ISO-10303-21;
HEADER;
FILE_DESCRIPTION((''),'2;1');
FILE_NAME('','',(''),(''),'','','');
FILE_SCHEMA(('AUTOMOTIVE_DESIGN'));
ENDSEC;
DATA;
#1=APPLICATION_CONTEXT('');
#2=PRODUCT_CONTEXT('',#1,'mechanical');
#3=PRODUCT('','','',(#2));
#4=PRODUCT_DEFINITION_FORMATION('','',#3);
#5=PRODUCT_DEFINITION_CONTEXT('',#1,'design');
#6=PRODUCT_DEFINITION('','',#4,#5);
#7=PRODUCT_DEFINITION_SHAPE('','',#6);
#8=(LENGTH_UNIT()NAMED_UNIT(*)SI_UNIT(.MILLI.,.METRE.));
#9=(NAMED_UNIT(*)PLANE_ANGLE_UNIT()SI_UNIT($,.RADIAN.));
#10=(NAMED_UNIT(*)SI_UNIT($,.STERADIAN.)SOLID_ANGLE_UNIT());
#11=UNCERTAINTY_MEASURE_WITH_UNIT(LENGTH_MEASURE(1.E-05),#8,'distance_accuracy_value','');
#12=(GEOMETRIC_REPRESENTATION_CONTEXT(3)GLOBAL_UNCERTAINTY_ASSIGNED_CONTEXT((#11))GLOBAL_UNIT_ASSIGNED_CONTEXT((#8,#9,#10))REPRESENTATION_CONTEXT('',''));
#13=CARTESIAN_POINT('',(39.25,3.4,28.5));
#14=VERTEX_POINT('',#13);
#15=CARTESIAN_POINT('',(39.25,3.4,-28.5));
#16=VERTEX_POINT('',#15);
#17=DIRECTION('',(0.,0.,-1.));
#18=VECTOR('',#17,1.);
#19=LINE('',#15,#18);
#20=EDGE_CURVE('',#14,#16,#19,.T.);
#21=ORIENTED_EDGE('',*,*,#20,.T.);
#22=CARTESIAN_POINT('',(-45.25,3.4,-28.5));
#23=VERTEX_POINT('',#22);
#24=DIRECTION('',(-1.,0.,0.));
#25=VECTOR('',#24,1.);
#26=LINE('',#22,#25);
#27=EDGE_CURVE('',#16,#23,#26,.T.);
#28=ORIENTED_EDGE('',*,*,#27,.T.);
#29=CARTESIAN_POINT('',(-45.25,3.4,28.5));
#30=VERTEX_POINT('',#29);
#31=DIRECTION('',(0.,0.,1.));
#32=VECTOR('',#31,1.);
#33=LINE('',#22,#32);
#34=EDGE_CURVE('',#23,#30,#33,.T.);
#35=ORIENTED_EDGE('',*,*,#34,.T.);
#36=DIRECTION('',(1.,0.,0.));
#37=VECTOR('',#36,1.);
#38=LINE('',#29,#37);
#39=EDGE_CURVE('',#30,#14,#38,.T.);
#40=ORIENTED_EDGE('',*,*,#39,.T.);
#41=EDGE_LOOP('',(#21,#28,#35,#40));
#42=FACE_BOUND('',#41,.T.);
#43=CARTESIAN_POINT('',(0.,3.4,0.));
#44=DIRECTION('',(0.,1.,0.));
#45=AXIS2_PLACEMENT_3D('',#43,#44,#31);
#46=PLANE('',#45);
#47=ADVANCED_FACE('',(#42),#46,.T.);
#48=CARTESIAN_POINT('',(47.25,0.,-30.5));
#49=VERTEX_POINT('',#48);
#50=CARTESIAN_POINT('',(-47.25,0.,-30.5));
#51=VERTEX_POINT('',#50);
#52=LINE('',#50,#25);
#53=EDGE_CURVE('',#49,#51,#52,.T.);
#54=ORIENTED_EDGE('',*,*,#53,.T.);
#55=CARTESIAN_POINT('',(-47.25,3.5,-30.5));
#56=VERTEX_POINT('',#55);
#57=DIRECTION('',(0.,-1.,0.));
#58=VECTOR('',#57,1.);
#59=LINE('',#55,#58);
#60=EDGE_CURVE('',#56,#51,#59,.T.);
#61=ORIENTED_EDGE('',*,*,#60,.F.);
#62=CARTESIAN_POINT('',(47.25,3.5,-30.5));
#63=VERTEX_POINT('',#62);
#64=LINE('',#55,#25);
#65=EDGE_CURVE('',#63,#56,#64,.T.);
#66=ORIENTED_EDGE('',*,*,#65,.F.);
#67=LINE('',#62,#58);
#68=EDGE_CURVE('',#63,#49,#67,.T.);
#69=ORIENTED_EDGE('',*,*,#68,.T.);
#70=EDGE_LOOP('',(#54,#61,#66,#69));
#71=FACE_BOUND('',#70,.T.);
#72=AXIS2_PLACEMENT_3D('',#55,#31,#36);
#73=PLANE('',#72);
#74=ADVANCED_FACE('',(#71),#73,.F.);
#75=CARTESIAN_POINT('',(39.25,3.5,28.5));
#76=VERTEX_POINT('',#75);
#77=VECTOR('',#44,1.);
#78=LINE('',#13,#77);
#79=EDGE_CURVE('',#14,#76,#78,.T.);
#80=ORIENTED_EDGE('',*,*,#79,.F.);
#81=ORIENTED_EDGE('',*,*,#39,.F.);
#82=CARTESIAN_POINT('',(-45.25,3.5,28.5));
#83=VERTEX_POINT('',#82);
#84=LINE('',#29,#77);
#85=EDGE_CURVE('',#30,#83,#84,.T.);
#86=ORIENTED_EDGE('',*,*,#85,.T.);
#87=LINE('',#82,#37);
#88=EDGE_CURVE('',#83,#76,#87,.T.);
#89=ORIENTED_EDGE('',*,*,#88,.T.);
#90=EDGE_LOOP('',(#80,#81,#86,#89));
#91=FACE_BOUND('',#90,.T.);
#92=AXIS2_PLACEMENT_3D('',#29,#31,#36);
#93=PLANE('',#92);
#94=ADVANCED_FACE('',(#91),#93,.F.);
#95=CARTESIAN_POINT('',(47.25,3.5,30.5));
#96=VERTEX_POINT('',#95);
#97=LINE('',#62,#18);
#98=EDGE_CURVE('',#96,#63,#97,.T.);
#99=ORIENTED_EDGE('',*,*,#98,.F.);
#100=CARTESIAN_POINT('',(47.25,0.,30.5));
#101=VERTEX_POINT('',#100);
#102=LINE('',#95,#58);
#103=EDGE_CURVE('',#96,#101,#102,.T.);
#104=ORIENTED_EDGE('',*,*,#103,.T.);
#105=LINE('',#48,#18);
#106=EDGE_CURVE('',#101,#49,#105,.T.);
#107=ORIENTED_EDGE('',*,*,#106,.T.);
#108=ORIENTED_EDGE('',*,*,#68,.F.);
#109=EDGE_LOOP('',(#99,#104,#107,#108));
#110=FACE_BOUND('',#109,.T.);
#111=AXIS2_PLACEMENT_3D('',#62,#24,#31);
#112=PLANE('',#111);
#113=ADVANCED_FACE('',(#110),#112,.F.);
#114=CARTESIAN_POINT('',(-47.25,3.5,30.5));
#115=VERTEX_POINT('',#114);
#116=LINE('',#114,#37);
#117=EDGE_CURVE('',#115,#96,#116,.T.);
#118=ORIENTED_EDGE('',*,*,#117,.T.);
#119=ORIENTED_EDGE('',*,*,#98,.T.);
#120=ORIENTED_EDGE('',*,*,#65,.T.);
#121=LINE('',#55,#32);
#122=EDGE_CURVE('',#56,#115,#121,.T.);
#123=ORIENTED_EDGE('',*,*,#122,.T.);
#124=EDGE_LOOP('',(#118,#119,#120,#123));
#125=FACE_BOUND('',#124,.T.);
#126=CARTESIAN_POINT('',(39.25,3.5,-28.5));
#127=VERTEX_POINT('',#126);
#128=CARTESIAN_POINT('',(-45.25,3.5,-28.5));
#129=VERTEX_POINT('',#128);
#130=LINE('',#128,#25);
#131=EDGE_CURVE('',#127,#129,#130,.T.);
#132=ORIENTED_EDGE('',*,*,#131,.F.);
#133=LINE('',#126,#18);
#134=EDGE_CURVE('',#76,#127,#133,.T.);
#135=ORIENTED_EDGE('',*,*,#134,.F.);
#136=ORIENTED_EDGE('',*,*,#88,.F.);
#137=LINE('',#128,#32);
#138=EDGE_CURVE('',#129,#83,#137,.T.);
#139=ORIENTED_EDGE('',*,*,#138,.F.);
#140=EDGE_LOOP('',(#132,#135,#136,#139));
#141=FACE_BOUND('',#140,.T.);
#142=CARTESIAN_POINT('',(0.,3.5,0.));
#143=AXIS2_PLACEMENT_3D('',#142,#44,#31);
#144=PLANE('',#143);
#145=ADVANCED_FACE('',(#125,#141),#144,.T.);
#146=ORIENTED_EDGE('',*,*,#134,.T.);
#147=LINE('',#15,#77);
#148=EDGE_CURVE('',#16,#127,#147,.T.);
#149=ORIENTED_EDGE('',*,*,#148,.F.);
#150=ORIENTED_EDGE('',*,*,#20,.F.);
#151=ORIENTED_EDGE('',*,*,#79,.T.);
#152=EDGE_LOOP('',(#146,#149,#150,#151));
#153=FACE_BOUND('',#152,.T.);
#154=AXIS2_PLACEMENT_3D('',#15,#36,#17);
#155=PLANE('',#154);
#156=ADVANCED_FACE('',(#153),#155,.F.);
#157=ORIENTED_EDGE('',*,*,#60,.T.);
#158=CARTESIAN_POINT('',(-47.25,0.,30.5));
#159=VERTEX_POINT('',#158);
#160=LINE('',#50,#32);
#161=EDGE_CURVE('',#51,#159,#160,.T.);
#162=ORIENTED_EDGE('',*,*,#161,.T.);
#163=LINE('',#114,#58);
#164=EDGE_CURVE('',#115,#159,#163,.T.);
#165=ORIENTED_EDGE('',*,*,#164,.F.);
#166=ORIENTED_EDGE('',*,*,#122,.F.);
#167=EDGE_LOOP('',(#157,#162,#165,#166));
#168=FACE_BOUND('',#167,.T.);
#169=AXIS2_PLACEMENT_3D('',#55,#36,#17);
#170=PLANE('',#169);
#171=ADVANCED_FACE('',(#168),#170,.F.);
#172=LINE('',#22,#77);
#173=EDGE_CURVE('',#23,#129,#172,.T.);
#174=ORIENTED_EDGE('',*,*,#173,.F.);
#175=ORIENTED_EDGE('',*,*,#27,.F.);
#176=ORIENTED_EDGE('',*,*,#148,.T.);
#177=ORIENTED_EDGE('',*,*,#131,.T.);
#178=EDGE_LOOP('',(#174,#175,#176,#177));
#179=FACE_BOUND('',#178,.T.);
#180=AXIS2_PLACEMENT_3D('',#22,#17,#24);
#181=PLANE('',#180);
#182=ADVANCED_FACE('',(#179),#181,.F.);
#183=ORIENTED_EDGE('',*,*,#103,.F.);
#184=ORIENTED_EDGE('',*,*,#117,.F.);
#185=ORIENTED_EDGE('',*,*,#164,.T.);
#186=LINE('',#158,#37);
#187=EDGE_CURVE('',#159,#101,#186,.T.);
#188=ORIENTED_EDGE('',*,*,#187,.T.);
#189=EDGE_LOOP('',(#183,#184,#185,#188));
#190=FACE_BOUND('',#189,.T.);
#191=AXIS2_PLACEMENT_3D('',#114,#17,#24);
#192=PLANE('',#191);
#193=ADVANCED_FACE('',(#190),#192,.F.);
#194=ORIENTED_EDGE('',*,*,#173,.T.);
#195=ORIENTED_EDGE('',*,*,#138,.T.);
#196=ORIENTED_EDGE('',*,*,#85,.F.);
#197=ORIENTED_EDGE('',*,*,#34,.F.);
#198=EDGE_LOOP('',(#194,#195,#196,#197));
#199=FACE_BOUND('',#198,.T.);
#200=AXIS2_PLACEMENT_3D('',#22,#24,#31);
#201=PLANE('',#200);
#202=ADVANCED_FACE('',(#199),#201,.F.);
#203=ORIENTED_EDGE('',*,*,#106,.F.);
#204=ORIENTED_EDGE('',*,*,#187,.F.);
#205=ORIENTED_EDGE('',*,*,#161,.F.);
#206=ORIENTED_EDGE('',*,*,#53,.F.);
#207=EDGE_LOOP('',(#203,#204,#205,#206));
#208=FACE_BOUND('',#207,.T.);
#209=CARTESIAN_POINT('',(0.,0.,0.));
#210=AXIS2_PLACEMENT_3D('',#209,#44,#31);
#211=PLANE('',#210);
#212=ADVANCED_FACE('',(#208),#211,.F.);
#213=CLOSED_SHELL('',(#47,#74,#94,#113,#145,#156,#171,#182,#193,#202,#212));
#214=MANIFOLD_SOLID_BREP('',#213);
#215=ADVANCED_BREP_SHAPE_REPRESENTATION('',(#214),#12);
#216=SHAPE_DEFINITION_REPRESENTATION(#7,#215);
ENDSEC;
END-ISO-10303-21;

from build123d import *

# Parameters (mm, degrees)
SKETCH1_W           = 94.5
SKETCH1_H           = 61
BOSS_EXTRUDE1_DEPTH = 3.5
SKETCH2_W           = 84.5
SKETCH2_H           = 57
CUT_EXTRUDE1_DEPTH  = 0.1


with BuildPart() as part:
    # Sketch1 → Boss-Extrude1 (new body)
    with BuildSketch(Plane(origin=(0, 0, 0), x_dir=(1, 0, 0), z_dir=(0, 1, 0))):
        Rectangle(SKETCH1_W, SKETCH1_H)
    extrude(amount=BOSS_EXTRUDE1_DEPTH)

    # Sketch2 → Cut-Extrude1 (cut)
    with BuildSketch(Plane(origin=(0, 3.5, 0), x_dir=(1, 0, 0), z_dir=(0, 1, 0))):
        with Locations((-3, 0)):
            Rectangle(SKETCH2_W, SKETCH2_H)
    extrude(amount=-CUT_EXTRUDE1_DEPTH, mode=Mode.SUBTRACT)


solid = part.part
